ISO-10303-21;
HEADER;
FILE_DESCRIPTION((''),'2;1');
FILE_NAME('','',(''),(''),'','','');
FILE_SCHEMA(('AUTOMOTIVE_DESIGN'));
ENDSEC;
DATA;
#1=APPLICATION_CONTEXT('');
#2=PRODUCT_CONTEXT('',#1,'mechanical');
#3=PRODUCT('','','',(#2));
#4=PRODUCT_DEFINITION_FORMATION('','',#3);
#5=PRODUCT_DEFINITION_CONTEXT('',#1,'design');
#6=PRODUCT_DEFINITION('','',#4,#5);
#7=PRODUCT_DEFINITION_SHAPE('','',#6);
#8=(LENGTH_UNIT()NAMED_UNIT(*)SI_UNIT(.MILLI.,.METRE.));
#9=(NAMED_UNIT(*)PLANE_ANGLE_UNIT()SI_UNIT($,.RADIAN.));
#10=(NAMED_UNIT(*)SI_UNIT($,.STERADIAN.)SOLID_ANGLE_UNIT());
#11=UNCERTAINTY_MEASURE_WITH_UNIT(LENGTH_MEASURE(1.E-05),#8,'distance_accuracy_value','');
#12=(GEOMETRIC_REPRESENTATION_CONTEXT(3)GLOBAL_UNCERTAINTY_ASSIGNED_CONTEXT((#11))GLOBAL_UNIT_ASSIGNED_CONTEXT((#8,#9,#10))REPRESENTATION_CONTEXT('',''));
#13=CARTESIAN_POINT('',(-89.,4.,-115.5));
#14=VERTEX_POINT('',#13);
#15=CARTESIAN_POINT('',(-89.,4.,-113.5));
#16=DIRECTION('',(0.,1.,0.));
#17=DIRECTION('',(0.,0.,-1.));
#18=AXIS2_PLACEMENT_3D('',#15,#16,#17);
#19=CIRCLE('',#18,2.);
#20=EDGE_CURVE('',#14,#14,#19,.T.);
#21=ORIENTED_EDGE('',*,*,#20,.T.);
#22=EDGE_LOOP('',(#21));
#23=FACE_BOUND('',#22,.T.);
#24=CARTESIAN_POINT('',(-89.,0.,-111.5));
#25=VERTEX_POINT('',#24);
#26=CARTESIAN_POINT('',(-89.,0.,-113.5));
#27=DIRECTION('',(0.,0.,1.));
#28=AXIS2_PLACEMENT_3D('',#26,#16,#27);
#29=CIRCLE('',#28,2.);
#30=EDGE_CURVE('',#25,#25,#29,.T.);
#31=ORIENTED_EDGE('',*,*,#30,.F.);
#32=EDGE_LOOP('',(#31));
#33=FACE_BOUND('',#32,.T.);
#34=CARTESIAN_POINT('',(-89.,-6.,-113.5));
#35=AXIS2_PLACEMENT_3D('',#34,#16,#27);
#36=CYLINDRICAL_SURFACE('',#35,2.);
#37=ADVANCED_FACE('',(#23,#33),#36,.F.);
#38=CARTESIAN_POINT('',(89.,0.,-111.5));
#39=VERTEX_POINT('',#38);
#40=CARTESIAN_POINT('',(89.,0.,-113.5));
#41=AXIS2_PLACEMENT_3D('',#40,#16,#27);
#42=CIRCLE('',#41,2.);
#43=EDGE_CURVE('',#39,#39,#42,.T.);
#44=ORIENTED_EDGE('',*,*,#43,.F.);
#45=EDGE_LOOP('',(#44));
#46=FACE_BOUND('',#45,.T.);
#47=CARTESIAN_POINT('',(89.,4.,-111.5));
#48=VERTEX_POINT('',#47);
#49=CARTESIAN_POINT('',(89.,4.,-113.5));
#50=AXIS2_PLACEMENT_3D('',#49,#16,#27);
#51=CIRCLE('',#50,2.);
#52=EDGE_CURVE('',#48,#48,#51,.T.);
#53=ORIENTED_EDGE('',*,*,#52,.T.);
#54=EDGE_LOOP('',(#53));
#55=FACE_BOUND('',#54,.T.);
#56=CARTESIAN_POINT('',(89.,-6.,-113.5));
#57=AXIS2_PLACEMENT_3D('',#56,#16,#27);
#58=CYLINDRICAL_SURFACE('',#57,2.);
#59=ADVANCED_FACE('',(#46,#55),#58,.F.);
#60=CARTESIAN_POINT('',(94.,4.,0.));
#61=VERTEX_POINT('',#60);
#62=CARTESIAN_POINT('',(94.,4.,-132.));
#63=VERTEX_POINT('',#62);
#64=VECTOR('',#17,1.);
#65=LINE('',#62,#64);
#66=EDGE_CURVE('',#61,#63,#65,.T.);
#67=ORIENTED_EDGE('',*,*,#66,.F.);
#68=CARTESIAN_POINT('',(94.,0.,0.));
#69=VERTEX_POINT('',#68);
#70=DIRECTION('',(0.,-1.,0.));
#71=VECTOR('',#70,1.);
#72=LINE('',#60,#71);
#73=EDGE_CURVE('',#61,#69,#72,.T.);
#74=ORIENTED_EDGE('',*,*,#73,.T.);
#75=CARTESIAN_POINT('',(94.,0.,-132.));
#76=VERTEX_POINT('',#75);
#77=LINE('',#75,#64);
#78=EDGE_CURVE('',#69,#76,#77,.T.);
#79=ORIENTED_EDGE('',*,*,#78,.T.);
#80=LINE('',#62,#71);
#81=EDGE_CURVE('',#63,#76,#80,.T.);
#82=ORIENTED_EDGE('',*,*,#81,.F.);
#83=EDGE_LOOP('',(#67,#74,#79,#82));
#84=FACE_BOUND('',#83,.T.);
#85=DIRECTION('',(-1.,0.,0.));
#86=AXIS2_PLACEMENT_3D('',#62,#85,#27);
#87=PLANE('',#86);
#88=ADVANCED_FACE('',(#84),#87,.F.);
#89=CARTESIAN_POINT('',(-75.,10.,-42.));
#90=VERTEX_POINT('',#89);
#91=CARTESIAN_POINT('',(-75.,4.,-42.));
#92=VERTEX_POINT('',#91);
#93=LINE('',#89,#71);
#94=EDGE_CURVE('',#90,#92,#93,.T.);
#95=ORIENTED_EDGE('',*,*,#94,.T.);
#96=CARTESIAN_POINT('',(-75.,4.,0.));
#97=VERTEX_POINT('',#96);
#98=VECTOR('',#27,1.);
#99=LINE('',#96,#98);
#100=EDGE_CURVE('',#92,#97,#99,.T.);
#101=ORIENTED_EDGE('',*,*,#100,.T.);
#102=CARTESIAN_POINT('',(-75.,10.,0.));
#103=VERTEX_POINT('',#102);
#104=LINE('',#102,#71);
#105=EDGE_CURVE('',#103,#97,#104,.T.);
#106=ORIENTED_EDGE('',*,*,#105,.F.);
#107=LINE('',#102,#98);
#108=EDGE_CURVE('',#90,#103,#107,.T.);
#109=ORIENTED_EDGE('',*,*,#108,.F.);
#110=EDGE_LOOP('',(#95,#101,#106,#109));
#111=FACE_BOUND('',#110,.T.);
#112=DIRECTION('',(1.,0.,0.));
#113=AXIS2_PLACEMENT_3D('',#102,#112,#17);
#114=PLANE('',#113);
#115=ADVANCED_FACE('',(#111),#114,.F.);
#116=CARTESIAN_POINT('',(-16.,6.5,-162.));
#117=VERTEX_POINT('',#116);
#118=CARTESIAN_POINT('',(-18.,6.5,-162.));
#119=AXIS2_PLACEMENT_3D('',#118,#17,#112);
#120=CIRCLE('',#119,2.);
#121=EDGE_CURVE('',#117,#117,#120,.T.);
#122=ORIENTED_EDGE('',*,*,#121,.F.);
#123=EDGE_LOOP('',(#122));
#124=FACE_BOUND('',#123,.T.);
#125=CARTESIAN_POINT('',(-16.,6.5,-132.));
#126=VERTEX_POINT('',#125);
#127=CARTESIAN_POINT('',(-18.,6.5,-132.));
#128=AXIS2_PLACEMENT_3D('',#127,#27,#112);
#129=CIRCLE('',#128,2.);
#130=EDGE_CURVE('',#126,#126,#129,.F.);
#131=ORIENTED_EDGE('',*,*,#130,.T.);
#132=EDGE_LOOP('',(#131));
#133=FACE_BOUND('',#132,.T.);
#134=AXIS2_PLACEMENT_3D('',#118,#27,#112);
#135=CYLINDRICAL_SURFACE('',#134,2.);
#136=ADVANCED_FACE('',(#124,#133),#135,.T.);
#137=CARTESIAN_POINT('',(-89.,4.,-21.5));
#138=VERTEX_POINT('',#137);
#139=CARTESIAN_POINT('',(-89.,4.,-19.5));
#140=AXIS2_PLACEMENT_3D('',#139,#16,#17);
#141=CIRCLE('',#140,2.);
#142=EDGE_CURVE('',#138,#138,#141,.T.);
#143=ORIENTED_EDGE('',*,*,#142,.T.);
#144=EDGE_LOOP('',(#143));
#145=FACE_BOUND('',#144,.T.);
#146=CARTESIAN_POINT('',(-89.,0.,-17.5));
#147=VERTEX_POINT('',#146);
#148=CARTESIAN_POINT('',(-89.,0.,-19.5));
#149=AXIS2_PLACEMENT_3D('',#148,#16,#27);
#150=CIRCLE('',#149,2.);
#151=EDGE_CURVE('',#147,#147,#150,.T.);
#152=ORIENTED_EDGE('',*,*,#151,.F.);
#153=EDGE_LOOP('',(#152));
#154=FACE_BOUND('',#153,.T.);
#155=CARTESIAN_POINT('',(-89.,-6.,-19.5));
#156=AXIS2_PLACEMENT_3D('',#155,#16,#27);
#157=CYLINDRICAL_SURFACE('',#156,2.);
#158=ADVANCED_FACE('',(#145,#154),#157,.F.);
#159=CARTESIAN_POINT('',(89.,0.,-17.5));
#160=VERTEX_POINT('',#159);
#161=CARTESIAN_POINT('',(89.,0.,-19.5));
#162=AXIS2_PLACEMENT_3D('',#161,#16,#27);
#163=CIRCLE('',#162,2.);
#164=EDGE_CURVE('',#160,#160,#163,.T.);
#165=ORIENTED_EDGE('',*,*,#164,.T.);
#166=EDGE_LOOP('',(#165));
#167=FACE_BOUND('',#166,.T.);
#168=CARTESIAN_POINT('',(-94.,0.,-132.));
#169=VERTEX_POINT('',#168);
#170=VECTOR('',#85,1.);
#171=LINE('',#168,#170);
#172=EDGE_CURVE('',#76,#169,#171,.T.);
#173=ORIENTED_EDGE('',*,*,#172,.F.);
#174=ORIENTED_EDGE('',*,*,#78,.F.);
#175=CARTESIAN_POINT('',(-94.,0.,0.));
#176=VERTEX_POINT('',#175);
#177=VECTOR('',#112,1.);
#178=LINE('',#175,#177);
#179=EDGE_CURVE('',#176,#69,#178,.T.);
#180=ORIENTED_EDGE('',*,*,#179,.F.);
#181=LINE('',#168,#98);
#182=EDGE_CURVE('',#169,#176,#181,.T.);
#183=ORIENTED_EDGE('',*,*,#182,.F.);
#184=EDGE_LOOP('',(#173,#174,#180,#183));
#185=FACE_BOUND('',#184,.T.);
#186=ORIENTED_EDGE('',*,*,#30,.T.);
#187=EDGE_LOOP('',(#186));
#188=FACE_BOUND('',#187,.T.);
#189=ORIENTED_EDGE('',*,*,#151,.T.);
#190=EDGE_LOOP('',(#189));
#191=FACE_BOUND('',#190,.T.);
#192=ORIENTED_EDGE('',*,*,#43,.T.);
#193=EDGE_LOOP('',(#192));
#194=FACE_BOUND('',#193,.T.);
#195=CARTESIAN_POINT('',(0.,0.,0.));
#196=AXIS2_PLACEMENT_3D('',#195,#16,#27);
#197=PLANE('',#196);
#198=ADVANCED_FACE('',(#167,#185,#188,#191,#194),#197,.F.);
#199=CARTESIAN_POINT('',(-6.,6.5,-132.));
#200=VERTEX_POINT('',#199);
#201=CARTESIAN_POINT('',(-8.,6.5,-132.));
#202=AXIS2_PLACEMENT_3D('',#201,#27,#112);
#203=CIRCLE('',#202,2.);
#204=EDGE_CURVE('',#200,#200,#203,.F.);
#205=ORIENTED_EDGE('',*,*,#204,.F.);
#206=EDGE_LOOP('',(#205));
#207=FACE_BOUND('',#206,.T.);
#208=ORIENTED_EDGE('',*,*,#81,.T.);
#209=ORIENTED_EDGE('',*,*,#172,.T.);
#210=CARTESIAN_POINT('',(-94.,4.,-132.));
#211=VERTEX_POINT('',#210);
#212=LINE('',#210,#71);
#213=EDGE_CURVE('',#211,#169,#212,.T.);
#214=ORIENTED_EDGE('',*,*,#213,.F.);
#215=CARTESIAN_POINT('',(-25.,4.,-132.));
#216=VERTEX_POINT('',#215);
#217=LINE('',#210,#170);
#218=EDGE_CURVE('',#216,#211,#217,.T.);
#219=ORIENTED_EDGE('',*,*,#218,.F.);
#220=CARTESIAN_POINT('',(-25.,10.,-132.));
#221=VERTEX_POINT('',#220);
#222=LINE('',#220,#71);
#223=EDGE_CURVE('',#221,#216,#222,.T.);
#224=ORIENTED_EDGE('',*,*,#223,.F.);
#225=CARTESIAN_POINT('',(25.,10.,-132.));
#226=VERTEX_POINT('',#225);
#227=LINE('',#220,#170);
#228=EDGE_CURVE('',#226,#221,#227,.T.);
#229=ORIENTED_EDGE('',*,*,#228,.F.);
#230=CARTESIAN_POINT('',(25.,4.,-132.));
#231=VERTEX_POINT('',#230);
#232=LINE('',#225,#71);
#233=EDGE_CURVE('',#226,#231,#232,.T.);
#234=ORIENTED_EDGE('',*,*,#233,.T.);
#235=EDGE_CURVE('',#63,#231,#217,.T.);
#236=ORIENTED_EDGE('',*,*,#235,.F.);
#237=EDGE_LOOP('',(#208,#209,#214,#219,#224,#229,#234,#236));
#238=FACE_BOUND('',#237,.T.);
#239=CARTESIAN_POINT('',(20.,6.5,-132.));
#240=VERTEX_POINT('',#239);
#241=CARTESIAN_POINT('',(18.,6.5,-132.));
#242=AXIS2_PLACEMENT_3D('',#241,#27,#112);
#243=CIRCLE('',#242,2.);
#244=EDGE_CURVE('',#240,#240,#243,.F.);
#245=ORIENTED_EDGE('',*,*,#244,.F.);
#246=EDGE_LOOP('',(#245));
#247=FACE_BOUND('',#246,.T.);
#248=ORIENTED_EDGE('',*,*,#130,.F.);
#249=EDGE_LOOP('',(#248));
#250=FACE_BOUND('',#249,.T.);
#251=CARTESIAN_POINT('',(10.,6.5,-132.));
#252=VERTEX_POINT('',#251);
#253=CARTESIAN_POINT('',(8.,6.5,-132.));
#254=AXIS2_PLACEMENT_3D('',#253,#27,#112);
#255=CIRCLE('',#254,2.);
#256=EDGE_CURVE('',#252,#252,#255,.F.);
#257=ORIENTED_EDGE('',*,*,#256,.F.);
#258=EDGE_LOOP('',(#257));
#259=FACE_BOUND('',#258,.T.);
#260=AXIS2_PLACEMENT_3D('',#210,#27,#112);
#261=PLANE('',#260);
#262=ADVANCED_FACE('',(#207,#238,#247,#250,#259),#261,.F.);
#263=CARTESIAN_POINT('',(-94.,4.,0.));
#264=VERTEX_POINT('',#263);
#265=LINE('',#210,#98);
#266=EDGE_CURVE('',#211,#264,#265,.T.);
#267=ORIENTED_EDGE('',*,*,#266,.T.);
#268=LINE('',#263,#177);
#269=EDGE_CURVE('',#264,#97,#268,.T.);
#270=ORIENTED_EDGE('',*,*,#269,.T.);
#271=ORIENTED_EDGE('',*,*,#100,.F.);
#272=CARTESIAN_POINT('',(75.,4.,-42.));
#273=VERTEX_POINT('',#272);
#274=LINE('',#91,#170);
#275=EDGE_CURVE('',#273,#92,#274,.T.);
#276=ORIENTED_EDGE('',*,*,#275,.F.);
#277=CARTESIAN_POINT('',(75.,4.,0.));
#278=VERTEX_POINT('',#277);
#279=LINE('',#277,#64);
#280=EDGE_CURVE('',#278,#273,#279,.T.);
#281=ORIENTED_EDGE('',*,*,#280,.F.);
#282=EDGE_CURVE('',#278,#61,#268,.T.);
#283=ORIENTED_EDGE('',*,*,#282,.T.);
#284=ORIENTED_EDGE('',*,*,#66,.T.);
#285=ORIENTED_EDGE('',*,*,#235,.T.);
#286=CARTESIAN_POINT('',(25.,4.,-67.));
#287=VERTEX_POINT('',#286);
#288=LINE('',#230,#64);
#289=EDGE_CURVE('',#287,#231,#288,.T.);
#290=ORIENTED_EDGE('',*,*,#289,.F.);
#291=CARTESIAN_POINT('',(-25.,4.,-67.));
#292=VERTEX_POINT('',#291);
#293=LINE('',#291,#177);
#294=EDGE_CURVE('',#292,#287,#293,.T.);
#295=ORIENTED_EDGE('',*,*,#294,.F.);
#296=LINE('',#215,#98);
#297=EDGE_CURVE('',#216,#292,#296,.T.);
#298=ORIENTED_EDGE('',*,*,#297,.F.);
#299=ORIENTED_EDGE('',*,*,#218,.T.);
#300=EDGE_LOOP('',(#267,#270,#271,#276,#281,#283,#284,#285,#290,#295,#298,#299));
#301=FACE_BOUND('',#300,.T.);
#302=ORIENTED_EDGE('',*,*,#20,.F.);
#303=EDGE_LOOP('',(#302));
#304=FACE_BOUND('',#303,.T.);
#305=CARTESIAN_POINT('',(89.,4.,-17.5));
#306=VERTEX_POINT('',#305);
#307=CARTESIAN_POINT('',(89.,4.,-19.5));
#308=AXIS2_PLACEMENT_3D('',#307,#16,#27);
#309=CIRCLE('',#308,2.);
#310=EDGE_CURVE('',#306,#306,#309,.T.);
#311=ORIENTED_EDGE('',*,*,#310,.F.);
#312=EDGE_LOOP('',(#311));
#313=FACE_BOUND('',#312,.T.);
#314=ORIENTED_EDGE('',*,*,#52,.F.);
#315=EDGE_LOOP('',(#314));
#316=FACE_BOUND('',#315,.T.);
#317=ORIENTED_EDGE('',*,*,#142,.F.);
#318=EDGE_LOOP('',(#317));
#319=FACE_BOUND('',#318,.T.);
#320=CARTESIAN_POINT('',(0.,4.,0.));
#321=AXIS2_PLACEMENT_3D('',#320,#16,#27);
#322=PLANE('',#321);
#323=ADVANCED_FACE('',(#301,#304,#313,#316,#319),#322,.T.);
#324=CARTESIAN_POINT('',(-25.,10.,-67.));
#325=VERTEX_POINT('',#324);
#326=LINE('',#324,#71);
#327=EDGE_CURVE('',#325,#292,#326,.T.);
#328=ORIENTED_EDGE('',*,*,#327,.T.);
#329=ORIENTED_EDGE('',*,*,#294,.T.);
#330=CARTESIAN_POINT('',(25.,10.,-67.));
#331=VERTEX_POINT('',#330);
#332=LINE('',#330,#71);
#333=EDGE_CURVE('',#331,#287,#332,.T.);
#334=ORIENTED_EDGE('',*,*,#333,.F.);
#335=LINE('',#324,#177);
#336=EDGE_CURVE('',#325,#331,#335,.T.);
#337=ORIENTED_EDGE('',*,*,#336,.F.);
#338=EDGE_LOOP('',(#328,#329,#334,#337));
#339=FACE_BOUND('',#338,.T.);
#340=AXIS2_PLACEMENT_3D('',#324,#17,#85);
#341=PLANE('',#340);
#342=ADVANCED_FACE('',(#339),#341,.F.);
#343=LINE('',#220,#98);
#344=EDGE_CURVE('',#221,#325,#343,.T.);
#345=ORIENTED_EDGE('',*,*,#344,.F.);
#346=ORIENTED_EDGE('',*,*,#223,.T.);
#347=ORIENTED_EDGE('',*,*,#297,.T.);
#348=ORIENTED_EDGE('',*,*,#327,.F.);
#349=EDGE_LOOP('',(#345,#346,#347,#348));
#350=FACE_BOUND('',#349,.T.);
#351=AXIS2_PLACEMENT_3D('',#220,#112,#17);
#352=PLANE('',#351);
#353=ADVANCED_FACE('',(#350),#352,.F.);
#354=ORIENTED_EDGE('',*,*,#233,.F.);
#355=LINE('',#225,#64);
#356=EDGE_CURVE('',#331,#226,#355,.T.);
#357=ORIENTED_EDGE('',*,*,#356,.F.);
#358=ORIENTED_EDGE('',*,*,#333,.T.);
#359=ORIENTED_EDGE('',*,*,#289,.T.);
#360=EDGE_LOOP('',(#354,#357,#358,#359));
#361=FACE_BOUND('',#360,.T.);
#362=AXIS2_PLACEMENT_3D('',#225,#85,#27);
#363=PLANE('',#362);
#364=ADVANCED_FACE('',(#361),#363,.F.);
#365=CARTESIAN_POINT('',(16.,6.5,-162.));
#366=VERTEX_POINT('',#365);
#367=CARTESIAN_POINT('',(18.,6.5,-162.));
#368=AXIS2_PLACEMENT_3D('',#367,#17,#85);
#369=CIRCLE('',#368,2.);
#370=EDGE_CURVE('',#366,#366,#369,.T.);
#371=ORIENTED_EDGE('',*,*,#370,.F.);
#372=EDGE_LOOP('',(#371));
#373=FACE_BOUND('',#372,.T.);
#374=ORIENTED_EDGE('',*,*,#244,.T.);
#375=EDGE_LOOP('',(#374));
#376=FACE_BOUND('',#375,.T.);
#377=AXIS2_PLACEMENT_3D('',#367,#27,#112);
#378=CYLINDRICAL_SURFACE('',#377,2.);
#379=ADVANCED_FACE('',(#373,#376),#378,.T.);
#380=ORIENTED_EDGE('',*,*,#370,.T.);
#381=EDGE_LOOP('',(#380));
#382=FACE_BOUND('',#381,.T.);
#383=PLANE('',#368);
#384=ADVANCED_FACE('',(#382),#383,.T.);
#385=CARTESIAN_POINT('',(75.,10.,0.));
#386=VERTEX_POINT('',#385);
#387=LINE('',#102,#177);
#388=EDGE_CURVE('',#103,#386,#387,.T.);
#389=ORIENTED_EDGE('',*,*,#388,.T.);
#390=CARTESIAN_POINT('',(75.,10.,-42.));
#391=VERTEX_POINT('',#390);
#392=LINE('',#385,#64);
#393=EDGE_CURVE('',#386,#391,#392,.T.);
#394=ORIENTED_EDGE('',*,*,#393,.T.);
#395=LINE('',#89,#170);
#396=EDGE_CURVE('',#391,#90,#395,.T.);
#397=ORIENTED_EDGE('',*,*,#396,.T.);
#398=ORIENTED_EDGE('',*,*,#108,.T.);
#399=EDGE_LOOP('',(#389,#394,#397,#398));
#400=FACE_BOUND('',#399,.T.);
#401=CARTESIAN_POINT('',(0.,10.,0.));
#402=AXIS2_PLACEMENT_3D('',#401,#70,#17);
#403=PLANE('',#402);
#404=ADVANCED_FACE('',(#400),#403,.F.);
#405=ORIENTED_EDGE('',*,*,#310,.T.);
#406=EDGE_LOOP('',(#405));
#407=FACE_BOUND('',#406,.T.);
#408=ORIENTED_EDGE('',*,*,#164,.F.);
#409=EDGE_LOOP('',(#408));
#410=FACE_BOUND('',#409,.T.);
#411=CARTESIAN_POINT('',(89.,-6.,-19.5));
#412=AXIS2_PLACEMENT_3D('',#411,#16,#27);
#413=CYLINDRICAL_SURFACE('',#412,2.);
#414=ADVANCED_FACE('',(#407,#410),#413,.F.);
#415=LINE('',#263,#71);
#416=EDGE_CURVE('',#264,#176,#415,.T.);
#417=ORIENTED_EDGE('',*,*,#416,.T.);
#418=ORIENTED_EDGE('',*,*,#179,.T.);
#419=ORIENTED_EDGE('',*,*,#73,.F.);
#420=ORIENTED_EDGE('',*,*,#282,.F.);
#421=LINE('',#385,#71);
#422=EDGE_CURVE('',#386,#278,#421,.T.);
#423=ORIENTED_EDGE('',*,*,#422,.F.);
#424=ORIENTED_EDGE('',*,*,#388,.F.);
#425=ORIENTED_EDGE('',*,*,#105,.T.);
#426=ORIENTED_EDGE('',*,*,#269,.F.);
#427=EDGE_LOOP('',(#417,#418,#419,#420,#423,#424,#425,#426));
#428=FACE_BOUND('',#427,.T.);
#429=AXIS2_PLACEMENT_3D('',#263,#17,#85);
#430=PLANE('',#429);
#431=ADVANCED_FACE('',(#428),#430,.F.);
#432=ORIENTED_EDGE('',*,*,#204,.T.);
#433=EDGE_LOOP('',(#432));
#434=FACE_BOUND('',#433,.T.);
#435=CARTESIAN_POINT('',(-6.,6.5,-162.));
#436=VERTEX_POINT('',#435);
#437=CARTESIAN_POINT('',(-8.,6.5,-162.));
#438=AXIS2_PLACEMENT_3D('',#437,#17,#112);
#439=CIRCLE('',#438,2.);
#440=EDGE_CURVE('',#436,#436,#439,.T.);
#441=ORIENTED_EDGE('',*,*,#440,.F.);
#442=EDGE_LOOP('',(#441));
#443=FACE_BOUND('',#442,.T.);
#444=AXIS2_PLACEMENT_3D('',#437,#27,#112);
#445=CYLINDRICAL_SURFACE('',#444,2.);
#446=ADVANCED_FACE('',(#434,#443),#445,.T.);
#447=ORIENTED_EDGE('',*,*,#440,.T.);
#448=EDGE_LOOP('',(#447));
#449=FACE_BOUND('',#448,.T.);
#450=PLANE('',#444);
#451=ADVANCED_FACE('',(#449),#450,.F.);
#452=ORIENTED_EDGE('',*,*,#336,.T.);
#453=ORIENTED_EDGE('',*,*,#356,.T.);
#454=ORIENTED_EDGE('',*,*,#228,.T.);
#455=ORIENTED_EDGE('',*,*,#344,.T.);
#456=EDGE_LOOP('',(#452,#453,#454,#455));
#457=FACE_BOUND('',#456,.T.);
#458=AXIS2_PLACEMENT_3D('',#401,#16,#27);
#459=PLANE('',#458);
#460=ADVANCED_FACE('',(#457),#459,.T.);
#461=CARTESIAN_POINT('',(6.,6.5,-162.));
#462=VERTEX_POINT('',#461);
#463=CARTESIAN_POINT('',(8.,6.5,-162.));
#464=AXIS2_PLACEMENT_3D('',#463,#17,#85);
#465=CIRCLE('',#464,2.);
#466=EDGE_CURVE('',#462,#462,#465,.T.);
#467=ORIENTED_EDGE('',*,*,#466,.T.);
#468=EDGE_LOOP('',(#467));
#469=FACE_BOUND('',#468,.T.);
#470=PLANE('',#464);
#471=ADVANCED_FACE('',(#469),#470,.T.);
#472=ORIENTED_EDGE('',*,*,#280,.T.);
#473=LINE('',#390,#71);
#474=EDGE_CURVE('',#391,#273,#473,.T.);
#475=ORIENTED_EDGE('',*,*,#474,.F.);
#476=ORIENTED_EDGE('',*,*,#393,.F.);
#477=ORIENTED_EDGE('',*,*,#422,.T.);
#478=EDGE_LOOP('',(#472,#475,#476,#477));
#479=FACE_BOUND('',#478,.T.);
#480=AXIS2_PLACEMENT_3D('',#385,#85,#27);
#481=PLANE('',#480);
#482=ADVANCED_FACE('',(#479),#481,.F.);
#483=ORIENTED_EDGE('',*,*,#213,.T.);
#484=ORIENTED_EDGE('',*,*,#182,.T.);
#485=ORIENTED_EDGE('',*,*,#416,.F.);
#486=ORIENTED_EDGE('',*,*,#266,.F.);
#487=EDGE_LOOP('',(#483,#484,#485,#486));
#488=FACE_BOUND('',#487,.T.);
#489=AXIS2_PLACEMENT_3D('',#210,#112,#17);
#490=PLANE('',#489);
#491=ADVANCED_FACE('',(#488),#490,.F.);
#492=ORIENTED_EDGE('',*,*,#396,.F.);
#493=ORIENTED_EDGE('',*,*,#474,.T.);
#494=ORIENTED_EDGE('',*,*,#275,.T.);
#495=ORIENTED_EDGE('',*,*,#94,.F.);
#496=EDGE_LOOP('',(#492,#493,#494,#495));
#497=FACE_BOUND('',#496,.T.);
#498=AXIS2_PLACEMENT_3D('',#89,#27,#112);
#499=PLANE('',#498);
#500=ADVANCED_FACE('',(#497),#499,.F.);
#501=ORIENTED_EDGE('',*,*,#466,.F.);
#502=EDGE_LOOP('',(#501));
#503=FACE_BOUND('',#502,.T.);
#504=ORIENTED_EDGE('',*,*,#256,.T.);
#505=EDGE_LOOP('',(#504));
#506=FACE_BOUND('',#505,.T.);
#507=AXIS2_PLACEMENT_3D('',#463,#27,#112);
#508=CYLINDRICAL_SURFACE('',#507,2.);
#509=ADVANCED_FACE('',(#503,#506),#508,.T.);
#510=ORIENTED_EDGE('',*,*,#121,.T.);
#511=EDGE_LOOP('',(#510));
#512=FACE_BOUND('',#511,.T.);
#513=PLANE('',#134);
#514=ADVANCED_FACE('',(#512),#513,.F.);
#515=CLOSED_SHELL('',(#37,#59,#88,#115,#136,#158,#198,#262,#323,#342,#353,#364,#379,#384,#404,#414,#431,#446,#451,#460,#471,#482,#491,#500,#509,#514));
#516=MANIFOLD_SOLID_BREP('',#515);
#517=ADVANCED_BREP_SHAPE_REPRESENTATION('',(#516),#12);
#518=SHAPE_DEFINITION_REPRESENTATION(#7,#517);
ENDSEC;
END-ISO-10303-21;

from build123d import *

# Parameters (mm, degrees)
SKETCH_1_W          = 188
SKETCH_1_H          = 132
EXTRUDE_1_DEPTH     = 4
SKETCH_2_W          = 50
SKETCH_2_H          = 65
SKETCH_2_W_2        = 150
SKETCH_2_H_2        = 42
EXTRUDE_2_DEPTH     = 6
SKETCH_3_R          = 2
EXTRUDE_3_DEPTH     = 30
SKETCH_4_R          = 2
CUT_EXTRUDE_1_DEPTH = 10


with BuildPart() as part:
    # 草图1 → 凸台-拉伸1 (new body)
    with BuildSketch(Plane(origin=(0, 0, 0), x_dir=(1, 0, 0), z_dir=(0, 1, 0))):
        with Locations((0, 66)):
            Rectangle(SKETCH_1_W, SKETCH_1_H)
    extrude(amount=EXTRUDE_1_DEPTH)

    # 草图2 → 凸台-拉伸2 (add)
    with BuildSketch(Plane(origin=(0, 4, 0), x_dir=(1, 0, 0), z_dir=(0, 1, 0))):
        with Locations((0, 99.5)):
            Rectangle(SKETCH_2_W, SKETCH_2_H)
        with Locations((0, 21)):
            Rectangle(SKETCH_2_W_2, SKETCH_2_H_2)
    extrude(amount=EXTRUDE_2_DEPTH)

    # 草图3 → 凸台-拉伸3 (add)
    with BuildSketch(Plane(origin=(0, 0, -132), x_dir=(-1, 0, 0), z_dir=(0, 0, -1))):
        with Locations(Location((-18, 6.5, 0), (0, 0, 180))):
            Circle(SKETCH_3_R)
        with Locations(Location((-8, 6.5, 0), (0, 0, 180))):
            Circle(SKETCH_3_R)
        with Locations(Location((8, 6.5, 0), (0, 0, 180))):
            Circle(SKETCH_3_R)
        with Locations(Location((18, 6.5, 0), (0, 0, 180))):
            Circle(SKETCH_3_R)
    extrude(amount=EXTRUDE_3_DEPTH)

    # 草图4 → 切除-拉伸1 (cut)
    with BuildSketch(Plane(origin=(0, 4, 0), x_dir=(1, 0, 0), z_dir=(0, 1, 0))):
        with Locations(Location((89, 113.5, 0), (0, 0, 270))):
            Circle(SKETCH_4_R)
        with Locations(Location((89, 19.5, 0), (0, 0, 270))):
            Circle(SKETCH_4_R)
        with Locations(Location((-89, 19.5, 0), (0, 0, 270))):
            Circle(SKETCH_4_R)
        with Locations(Location((-89, 113.5, 0), (0, 0, 270))):
            Circle(SKETCH_4_R)
    extrude(amount=-CUT_EXTRUDE_1_DEPTH, mode=Mode.SUBTRACT)


solid = part.part
